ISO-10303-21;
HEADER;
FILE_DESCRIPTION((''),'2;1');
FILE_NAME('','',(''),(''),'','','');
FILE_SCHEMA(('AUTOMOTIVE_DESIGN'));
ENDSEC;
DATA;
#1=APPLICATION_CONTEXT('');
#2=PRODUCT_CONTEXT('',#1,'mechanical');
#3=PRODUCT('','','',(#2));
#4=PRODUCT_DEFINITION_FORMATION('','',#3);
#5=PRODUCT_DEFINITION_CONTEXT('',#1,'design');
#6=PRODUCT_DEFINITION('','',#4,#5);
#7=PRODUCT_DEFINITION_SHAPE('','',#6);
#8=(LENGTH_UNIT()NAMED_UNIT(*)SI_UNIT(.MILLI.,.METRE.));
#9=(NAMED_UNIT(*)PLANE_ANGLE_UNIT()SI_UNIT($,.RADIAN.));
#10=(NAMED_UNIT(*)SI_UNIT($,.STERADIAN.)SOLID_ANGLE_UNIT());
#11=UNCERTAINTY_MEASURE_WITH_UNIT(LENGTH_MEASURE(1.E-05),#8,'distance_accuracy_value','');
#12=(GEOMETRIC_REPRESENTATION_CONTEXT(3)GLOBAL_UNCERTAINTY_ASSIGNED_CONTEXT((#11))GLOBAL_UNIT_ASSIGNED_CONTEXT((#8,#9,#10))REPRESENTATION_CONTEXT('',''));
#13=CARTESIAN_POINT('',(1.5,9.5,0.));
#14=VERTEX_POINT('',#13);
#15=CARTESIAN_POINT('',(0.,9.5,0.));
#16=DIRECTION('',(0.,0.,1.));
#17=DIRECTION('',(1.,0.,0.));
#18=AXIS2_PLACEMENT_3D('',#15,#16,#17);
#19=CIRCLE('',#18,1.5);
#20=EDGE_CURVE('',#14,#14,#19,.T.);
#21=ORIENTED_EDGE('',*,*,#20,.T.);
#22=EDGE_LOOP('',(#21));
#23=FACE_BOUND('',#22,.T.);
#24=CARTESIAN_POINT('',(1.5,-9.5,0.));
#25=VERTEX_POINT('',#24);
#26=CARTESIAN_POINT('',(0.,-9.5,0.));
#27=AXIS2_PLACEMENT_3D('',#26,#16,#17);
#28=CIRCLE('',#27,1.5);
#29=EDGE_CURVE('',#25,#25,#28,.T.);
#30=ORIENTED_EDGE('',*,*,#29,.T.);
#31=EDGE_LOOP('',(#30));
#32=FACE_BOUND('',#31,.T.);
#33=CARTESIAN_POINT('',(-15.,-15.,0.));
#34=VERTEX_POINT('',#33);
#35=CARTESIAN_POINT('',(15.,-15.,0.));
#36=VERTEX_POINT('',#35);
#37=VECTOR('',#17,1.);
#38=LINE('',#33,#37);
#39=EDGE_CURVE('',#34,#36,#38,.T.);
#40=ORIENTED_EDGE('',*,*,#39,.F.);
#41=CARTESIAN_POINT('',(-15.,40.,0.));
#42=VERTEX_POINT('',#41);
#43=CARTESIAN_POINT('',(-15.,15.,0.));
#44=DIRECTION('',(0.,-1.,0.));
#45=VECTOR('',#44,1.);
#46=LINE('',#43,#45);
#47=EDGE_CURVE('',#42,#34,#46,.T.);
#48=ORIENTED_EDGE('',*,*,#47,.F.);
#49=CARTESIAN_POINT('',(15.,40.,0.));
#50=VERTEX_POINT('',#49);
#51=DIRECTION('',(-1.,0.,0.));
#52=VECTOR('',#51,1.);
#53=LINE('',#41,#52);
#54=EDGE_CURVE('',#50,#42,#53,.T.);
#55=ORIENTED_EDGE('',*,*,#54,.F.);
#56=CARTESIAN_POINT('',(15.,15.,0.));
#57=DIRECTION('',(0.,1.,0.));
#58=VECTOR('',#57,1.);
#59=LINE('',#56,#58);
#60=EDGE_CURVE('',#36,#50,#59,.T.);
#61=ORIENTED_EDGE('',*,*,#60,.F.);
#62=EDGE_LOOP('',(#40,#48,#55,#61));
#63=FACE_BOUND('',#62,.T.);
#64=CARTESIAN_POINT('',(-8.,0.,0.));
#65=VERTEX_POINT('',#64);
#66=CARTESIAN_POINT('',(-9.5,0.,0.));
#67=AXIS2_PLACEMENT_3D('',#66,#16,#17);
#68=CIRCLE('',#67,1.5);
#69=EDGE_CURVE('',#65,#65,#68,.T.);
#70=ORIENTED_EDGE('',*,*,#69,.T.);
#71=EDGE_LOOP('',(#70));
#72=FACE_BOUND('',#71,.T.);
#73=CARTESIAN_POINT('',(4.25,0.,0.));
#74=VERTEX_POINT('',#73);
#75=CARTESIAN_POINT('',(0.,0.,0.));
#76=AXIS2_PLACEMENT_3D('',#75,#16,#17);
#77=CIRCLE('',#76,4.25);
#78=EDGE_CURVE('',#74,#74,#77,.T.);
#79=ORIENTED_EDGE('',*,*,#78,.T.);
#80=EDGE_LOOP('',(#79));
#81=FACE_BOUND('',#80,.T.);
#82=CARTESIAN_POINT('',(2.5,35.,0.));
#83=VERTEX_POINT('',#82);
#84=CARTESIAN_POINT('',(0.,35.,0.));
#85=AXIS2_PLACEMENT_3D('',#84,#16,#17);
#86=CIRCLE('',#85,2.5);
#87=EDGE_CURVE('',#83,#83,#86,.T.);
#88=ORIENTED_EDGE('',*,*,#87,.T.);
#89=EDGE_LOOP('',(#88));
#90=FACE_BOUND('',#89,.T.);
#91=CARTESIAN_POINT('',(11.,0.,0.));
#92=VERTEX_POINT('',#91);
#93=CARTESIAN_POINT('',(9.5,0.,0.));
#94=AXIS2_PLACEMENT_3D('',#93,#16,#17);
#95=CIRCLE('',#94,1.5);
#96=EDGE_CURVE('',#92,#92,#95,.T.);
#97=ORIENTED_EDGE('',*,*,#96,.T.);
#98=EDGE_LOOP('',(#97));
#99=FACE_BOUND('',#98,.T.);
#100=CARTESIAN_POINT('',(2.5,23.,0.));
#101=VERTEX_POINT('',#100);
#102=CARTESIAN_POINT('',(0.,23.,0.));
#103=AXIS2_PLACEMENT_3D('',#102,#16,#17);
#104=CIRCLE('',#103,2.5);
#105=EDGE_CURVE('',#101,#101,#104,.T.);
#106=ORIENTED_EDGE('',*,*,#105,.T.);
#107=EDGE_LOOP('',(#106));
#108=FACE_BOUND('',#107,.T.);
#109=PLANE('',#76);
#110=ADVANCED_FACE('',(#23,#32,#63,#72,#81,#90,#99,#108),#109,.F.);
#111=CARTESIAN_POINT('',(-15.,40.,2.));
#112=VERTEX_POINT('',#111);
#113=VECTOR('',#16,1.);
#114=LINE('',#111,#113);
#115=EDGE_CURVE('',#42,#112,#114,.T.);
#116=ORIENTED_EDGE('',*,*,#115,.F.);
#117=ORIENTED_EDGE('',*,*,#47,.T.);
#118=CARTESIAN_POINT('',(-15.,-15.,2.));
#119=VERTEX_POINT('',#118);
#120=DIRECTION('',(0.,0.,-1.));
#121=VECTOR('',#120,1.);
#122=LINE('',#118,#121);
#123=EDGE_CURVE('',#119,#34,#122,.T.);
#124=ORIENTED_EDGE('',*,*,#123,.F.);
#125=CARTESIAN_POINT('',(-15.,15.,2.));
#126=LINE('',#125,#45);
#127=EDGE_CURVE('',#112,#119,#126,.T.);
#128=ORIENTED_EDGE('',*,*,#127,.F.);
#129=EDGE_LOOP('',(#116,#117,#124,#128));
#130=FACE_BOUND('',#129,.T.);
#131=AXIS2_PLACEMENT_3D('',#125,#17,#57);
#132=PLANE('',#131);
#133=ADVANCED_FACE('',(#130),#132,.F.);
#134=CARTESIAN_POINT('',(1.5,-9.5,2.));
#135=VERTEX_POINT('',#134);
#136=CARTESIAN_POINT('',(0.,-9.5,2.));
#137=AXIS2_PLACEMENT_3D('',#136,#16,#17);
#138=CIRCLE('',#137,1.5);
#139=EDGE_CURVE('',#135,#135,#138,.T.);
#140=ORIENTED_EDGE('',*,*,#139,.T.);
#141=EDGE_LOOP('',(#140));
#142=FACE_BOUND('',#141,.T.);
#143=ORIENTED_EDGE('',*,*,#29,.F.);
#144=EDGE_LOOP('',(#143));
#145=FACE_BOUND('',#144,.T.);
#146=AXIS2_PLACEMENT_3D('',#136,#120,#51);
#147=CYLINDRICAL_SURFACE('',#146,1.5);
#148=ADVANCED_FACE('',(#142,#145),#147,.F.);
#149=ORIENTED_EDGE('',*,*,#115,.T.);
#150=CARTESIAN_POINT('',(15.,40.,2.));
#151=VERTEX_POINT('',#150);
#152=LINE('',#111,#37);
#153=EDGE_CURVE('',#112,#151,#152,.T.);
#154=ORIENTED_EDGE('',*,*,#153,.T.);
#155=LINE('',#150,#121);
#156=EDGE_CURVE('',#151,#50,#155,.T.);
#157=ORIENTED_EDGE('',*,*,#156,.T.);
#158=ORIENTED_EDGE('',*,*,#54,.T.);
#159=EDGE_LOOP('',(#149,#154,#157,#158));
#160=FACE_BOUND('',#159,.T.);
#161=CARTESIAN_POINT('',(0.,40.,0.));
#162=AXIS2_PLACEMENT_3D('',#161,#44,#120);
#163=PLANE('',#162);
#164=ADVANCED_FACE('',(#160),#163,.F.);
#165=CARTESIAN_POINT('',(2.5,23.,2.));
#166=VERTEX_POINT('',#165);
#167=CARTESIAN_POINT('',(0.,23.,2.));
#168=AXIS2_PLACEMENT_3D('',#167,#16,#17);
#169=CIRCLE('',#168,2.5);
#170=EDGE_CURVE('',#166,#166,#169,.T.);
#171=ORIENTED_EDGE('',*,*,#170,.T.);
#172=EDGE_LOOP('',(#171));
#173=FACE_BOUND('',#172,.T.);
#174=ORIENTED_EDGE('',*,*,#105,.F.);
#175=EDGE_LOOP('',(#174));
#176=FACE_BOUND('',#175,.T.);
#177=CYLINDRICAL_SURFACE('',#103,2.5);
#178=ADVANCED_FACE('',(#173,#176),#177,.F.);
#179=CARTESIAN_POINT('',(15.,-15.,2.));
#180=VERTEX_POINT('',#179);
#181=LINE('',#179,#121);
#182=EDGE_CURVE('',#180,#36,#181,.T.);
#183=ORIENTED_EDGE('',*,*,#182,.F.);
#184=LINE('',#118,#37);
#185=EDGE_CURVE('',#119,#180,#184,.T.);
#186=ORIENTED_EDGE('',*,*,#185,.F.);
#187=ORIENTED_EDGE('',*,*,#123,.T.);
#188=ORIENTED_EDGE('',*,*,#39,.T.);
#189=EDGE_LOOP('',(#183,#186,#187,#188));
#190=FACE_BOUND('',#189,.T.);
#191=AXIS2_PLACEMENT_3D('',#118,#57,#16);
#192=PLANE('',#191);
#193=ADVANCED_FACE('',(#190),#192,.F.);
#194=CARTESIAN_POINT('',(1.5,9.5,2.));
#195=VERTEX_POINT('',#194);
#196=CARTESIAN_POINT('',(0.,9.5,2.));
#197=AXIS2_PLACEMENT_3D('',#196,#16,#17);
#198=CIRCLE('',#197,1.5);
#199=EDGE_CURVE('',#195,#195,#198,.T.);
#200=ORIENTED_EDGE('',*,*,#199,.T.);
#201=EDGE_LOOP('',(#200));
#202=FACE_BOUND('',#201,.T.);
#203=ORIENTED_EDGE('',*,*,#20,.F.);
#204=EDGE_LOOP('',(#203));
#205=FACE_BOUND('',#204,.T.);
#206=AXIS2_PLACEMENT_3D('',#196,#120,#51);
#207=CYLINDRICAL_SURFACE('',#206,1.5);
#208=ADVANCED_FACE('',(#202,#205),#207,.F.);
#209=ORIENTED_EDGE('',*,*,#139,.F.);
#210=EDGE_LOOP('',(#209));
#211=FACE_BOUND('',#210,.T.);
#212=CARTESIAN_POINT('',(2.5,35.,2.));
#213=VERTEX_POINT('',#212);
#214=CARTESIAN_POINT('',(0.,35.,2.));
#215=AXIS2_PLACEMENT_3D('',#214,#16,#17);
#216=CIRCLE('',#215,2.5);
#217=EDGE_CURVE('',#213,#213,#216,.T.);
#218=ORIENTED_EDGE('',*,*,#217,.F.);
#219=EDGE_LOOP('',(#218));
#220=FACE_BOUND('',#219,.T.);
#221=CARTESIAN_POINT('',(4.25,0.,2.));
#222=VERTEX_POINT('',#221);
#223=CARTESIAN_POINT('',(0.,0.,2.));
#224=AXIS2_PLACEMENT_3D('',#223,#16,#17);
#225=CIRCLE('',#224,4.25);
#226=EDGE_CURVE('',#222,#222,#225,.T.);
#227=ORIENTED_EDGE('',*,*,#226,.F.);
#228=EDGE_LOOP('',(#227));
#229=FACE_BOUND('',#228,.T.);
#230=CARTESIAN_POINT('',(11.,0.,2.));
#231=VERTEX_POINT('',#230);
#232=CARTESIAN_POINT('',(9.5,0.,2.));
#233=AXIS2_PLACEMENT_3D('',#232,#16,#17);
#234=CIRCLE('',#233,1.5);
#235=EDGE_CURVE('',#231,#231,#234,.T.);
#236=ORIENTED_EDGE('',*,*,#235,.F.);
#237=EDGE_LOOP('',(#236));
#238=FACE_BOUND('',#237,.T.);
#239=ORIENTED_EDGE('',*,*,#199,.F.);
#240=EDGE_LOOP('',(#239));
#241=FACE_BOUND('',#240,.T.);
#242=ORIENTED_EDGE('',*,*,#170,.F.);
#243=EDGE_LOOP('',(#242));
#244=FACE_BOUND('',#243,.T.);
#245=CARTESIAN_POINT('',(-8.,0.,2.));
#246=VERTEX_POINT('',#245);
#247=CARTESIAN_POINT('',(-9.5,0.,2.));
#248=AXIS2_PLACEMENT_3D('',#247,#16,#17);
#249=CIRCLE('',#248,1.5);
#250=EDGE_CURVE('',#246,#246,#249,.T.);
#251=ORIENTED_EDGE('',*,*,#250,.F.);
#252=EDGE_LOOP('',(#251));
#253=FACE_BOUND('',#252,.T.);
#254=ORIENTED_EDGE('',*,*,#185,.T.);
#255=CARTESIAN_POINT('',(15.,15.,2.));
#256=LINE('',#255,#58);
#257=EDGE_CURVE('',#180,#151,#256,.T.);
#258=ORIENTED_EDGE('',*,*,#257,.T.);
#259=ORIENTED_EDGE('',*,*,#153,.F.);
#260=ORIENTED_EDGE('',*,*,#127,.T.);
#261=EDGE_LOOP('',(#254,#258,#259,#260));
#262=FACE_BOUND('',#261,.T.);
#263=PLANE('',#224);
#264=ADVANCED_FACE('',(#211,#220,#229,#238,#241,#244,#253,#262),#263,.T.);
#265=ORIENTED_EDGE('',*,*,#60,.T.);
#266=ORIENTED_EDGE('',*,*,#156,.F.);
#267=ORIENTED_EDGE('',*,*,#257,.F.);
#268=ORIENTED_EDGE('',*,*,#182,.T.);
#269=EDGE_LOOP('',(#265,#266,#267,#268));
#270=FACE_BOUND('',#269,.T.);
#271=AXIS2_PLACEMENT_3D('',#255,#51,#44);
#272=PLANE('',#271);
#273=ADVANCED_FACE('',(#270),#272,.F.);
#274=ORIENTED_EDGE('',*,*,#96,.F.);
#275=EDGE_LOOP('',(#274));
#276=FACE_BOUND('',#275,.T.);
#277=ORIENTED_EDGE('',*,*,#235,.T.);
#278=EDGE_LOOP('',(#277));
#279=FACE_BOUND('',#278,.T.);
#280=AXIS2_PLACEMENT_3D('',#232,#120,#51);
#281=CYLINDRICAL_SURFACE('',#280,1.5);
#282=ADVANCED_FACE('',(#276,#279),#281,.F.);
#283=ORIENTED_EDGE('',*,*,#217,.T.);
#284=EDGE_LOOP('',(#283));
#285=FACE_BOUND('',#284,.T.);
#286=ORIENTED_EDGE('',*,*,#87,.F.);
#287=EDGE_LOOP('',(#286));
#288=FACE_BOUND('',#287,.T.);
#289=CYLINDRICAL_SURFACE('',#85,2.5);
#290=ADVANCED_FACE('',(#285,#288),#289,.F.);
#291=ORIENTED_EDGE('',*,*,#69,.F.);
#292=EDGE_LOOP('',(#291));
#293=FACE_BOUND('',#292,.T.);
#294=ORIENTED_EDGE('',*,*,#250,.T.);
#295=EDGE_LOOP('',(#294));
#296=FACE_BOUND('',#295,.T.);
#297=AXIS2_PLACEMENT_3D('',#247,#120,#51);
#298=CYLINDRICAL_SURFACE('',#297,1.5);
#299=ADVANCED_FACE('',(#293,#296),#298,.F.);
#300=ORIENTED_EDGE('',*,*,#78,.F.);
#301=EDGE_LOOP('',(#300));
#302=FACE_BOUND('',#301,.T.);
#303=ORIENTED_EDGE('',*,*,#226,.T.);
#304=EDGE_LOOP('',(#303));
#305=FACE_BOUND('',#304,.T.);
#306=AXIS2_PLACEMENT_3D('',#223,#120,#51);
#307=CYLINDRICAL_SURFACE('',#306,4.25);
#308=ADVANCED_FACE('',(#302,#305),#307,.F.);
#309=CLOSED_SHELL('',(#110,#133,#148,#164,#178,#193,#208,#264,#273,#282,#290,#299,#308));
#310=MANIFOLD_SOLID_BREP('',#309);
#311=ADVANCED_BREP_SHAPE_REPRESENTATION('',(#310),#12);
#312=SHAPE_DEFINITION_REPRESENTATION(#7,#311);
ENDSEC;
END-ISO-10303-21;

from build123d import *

# Parameters (mm, degrees)
SKETCH1_W           = 30
SKETCH1_H           = 30
SKETCH1_R           = 4.25
SKETCH1_R_2         = 1.5
BOSS_EXTRUDE1_DEPTH = 2
SKETCH2_W           = 30
SKETCH2_H           = 2
BOSS_EXTRUDE2_DEPTH = 25
SKETCH3_R           = 2.5
CUT_EXTRUDE1_DEPTH  = 2


with BuildPart() as part:
    # Sketch1 → Boss-Extrude1 (new body)
    with BuildSketch(Plane.XY):
        Rectangle(SKETCH1_W, SKETCH1_H)
        Circle(SKETCH1_R, mode=Mode.SUBTRACT)
        with Locations((0, 9.5)):
            Circle(SKETCH1_R_2, mode=Mode.SUBTRACT)
        with Locations((9.5, 0)):
            Circle(SKETCH1_R_2, mode=Mode.SUBTRACT)
        with Locations((0, -9.5)):
            Circle(SKETCH1_R_2, mode=Mode.SUBTRACT)
        with Locations((-9.5, 0)):
            Circle(SKETCH1_R_2, mode=Mode.SUBTRACT)
    extrude(amount=BOSS_EXTRUDE1_DEPTH)

    # Sketch2 → Boss-Extrude2 (add)
    with BuildSketch(Plane(origin=(0, 15, 0), x_dir=(1, 0, 0), z_dir=(0, 1, 0))):
        with Locations((0, -1)):
            Rectangle(SKETCH2_W, SKETCH2_H)
    extrude(amount=BOSS_EXTRUDE2_DEPTH)

    # Sketch3 → Cut-Extrude1 (cut)
    with BuildSketch(Plane.XY.offset(2)):
        with Locations((0, 23)):
            Circle(SKETCH3_R)
        with Locations((0, 35)):
            Circle(SKETCH3_R)
    extrude(amount=-CUT_EXTRUDE1_DEPTH, mode=Mode.SUBTRACT)


solid = part.part
